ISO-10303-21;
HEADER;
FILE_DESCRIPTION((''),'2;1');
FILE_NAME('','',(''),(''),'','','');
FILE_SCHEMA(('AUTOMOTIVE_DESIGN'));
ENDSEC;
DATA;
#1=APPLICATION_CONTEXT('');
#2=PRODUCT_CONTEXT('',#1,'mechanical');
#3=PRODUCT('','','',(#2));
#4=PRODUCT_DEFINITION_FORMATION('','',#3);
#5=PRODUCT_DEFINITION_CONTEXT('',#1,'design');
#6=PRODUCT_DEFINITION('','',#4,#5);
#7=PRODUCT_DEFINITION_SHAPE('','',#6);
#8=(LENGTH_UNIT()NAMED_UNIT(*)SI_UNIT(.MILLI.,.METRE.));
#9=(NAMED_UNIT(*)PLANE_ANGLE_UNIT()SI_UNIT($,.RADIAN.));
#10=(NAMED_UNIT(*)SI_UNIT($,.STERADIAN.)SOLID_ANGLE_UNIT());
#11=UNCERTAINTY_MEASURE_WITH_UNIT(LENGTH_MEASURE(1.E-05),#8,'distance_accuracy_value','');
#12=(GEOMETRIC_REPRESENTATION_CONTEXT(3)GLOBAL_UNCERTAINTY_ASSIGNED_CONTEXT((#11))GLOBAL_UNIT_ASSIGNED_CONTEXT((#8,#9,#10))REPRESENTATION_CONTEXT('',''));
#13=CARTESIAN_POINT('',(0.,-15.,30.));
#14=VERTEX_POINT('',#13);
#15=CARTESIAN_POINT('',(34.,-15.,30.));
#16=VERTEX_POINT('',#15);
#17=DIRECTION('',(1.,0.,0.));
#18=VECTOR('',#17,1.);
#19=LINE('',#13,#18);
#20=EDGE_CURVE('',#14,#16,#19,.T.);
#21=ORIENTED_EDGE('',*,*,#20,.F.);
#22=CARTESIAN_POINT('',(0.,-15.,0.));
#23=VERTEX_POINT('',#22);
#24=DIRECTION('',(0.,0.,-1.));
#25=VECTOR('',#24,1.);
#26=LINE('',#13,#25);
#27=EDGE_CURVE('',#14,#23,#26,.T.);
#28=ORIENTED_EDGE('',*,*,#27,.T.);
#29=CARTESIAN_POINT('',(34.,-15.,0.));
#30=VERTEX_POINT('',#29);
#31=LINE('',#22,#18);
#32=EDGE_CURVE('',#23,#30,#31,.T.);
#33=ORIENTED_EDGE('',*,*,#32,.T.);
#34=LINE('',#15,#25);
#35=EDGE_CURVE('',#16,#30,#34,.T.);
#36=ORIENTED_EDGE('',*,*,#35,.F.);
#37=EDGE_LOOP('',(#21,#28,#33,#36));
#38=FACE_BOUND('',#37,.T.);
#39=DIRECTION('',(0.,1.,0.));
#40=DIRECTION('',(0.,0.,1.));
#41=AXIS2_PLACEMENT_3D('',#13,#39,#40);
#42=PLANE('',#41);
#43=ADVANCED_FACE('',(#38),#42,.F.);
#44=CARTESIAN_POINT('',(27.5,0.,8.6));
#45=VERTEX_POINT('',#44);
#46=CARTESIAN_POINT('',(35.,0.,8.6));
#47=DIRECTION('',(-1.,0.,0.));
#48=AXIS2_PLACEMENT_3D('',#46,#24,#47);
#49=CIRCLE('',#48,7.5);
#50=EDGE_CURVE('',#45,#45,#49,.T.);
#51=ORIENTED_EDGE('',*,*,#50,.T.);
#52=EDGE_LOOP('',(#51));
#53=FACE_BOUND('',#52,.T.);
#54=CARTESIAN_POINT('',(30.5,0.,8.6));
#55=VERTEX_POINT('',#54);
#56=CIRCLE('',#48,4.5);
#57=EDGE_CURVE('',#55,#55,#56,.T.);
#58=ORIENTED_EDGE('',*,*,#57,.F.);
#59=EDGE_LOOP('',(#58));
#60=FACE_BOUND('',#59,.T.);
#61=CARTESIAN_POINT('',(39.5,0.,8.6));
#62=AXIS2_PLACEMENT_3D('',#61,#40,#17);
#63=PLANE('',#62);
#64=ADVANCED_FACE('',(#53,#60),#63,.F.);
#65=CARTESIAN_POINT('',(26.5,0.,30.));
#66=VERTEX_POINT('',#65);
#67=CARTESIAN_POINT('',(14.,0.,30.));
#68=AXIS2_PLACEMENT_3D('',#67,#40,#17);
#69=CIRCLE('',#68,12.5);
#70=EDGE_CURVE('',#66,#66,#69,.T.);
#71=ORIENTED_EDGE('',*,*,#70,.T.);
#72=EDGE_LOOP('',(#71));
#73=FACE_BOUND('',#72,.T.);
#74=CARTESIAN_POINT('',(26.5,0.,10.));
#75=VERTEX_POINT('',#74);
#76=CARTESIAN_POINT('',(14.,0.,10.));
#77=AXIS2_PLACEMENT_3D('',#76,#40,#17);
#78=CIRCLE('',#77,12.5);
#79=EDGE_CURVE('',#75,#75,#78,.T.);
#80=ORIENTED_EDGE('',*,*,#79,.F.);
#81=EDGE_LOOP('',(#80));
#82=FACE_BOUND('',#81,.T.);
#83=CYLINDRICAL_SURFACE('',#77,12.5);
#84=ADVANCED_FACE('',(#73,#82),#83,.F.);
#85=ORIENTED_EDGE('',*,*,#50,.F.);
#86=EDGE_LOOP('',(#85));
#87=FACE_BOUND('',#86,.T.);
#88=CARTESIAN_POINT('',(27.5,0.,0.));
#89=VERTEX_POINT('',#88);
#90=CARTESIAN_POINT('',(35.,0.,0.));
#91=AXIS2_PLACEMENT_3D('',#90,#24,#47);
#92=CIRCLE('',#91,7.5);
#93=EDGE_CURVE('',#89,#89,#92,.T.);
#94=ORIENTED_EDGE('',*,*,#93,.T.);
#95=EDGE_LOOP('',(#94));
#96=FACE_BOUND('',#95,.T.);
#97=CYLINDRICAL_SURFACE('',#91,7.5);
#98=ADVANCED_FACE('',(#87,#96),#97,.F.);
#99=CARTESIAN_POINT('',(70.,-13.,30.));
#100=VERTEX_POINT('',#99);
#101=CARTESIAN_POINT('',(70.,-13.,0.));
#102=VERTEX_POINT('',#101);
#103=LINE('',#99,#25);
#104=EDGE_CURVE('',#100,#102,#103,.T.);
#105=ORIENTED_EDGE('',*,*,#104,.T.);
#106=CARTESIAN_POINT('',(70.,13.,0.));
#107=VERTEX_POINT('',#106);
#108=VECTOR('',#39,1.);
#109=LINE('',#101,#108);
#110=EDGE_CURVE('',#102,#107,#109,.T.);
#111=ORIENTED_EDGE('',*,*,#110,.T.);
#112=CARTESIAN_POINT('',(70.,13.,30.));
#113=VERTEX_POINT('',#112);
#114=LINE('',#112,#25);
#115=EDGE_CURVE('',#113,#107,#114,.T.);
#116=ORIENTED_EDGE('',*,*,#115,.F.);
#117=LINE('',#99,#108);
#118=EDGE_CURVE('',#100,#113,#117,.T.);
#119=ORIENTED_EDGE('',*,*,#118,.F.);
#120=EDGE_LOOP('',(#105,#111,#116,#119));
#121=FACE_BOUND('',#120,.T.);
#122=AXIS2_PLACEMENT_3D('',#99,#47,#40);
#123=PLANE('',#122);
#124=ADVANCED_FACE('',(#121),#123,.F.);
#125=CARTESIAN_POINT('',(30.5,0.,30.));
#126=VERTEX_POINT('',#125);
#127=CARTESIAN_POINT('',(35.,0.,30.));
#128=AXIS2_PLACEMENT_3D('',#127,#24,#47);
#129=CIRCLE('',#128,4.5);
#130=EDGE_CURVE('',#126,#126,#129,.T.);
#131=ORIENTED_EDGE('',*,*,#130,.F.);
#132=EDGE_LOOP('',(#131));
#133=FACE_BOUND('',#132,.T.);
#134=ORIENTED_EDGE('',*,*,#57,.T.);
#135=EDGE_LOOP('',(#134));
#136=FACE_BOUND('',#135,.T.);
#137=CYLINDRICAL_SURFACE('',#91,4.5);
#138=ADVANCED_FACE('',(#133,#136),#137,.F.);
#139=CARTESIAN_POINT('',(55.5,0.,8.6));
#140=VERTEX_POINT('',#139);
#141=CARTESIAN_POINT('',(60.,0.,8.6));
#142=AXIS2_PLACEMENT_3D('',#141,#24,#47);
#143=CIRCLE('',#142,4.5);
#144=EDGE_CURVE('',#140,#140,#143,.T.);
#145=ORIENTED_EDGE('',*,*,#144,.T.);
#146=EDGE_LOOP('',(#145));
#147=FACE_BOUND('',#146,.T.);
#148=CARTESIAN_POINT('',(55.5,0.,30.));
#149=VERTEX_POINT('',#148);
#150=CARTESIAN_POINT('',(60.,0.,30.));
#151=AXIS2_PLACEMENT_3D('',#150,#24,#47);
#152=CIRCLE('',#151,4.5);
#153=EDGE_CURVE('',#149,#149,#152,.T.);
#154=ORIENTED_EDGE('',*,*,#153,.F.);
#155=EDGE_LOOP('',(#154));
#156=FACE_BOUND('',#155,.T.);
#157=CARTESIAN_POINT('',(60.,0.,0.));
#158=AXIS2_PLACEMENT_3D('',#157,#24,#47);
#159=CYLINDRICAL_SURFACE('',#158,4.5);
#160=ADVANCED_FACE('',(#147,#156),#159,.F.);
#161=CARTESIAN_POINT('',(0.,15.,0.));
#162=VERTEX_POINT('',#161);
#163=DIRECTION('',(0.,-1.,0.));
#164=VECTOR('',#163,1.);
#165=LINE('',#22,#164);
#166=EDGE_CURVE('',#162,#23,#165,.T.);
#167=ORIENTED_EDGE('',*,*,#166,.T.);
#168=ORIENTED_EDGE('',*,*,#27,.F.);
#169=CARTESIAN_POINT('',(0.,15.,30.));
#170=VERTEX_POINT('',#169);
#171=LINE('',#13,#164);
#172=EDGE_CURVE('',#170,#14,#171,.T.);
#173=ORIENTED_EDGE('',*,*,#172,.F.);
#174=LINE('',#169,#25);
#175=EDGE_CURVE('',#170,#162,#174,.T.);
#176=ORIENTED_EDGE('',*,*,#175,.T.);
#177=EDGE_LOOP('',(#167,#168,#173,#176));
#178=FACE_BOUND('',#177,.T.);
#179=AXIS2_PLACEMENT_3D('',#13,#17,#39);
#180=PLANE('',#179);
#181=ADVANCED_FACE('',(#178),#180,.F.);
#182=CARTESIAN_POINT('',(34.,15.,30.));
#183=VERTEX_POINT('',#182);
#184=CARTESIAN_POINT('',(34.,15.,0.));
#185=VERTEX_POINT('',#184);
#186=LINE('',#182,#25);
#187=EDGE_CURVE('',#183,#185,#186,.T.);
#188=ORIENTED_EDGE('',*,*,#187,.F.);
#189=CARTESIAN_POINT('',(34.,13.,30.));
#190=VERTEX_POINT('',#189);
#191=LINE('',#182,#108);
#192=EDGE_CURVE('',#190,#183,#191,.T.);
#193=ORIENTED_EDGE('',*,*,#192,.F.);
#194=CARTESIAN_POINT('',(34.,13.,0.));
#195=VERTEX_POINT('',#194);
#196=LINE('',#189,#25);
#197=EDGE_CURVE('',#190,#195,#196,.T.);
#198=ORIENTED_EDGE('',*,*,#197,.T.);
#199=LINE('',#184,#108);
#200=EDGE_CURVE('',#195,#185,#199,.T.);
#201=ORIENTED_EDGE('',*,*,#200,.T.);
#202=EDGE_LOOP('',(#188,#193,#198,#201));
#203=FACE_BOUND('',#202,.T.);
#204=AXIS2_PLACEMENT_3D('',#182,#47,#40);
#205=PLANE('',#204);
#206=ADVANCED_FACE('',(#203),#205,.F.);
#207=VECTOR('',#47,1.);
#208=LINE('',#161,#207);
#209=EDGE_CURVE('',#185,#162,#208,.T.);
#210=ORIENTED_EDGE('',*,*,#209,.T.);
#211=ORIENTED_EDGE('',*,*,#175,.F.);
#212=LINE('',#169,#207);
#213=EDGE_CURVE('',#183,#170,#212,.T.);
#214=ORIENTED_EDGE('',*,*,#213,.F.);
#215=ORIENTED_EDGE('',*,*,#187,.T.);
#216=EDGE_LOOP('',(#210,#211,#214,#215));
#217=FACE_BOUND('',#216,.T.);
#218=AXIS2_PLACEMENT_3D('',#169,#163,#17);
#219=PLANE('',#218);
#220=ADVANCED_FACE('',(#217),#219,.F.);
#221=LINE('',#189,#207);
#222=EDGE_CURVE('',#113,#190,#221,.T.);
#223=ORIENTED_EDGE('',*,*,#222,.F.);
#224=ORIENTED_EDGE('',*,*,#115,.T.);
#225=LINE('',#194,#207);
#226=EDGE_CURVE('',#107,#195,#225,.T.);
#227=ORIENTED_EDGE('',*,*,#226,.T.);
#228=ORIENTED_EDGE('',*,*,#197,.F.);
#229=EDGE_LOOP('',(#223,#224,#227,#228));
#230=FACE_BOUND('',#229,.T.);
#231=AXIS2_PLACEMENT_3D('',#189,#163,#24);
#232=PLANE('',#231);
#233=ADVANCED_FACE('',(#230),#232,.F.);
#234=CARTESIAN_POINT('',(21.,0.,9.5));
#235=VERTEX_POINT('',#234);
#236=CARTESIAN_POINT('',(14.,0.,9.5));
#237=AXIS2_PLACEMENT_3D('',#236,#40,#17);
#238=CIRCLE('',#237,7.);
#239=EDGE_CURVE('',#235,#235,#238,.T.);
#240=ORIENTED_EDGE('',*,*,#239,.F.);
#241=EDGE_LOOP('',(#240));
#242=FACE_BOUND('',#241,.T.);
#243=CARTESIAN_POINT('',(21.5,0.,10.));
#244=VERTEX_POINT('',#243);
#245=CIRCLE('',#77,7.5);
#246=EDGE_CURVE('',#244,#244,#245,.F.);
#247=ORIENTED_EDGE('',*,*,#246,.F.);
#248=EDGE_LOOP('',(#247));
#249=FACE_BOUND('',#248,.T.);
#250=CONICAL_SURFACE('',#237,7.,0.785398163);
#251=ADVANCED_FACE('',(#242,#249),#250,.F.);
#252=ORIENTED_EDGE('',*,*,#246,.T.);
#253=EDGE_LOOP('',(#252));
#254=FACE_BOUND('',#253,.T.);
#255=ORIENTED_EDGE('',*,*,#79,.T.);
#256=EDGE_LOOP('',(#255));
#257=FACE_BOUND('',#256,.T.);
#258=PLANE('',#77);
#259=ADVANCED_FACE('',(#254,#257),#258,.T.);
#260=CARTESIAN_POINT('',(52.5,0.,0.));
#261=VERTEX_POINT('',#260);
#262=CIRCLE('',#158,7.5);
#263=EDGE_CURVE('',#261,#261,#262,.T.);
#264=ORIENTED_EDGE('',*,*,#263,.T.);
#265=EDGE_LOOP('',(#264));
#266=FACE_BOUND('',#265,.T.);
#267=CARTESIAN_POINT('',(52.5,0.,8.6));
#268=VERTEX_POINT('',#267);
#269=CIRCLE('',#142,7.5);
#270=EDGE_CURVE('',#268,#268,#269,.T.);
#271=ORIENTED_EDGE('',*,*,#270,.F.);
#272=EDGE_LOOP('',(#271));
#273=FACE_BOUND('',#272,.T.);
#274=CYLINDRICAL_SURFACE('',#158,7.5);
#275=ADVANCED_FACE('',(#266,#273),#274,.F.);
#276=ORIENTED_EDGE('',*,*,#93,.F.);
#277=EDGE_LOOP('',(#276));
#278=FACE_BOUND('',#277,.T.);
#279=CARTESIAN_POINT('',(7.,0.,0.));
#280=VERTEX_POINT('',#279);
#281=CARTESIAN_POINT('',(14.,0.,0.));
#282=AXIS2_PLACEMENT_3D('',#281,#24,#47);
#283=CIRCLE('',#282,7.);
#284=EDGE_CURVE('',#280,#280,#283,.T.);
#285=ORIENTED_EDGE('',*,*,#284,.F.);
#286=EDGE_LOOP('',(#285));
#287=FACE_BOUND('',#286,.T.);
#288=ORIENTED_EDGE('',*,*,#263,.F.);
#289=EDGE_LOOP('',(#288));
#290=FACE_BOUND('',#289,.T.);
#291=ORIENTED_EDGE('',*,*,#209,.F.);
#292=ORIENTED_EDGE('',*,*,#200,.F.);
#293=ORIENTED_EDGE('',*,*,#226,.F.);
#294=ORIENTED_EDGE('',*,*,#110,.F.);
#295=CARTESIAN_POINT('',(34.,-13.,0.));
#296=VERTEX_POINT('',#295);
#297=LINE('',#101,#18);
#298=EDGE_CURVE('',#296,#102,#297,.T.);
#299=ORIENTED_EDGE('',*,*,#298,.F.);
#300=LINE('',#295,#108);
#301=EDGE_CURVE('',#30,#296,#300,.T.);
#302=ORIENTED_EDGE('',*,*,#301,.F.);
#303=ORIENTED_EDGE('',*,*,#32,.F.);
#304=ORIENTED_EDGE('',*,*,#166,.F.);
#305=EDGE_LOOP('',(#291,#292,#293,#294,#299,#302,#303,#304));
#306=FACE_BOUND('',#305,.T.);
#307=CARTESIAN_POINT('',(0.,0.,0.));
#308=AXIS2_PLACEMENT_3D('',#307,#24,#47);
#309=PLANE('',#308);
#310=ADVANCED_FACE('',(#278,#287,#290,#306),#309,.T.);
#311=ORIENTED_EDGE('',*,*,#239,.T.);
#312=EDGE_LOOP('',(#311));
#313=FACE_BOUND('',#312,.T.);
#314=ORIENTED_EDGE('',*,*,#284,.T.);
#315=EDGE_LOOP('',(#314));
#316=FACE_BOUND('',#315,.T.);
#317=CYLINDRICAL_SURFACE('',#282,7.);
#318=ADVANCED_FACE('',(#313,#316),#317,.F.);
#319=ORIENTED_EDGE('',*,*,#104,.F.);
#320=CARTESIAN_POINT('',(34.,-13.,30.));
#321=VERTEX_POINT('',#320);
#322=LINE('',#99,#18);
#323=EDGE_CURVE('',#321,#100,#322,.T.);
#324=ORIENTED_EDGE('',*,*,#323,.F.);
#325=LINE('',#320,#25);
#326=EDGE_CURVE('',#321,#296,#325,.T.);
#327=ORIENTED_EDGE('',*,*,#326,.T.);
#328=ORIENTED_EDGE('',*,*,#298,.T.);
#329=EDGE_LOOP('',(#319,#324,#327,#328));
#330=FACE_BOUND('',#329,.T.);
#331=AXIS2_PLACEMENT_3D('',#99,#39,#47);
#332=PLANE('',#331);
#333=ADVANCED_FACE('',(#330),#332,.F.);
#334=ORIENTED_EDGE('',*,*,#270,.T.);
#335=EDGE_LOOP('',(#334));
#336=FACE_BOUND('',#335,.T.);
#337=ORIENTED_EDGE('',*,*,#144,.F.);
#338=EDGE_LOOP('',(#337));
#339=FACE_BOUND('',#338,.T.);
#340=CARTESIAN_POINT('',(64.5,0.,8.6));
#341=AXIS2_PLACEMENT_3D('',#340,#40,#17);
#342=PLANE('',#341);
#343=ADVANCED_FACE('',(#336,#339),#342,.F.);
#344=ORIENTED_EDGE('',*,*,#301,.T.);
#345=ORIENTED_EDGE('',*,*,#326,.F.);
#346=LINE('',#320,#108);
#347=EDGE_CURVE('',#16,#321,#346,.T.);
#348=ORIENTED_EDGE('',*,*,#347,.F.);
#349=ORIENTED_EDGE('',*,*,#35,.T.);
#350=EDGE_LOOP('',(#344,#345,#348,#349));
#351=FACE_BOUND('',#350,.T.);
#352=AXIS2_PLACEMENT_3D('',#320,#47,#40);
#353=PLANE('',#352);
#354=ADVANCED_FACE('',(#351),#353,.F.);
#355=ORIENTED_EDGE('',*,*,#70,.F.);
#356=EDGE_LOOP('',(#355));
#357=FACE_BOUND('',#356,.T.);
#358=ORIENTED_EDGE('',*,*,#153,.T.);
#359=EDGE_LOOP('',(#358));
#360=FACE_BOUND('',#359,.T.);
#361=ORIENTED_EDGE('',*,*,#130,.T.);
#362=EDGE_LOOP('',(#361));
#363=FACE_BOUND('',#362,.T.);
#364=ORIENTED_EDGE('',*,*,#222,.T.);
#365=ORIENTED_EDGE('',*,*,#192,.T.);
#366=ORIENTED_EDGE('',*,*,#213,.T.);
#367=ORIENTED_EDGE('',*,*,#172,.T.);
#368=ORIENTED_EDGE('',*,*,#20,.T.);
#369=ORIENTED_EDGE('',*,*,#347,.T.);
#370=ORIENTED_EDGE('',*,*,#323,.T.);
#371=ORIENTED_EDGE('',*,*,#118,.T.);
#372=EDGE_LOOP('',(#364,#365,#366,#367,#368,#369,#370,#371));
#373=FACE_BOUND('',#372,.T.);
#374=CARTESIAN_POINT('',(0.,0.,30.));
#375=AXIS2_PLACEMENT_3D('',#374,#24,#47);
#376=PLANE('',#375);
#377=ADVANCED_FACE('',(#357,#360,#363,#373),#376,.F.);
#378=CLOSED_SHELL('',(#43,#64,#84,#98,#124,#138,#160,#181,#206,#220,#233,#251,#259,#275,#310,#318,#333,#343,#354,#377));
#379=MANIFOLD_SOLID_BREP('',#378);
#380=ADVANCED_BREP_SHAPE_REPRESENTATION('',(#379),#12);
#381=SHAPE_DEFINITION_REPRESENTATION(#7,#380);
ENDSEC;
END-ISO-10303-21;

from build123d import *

# Parameters (mm, degrees)
AUFSATZ_LINEAR_AUSTRAGEN1_DEPTH                      = 30
SKIZZE6_R                                            = 12.5
SCHNITT_LINEAR_AUSTRAGEN1_DEPTH                      = 20
M16_GEWINDEBOHRUNG1_D                                = 14
M16_GEWINDEBOHRUNG1_DEPTH                            = 42
M16_GEWINDEBOHRUNG1_TIP                              = 4.206024333
STIRNSENKUNG_F_R_M8_ZYLINDERSCHRAUBE_MIT_D           = 9
STIRNSENKUNG_F_R_M8_ZYLINDERSCHRAUBE_MIT_CBORE_D     = 15
STIRNSENKUNG_F_R_M8_ZYLINDERSCHRAUBE_MIT_CBORE_DEPTH = 8.6
FASE1_SIZE                                           = 0.5


with BuildPart() as part:
    # Skizze1 → Aufsatz-Linear austragen1 (new body)
    with BuildSketch(Plane.XY):
        Polygon((34, 15), (34, 13), (70, 13), (70, -13), (34, -13), (34, -15), (0, -15), (0, 15), align=None)
    extrude(amount=AUFSATZ_LINEAR_AUSTRAGEN1_DEPTH)

    # Skizze6 → Schnitt-Linear austragen1 (cut)
    with BuildSketch(Plane.XY.offset(30)):
        with Locations((14, 0)):
            Circle(SKIZZE6_R)
    extrude(amount=-SCHNITT_LINEAR_AUSTRAGEN1_DEPTH, mode=Mode.SUBTRACT)

    # M16 Gewindebohrung1
    with Locations(Plane(origin=(0, 0, 0), x_dir=(-1, 0, 0), z_dir=(0, 0, -1))):
        with Locations((-14, 0)):
            Hole(M16_GEWINDEBOHRUNG1_D / 2, depth=M16_GEWINDEBOHRUNG1_DEPTH)
            with Locations((0, 0, -(M16_GEWINDEBOHRUNG1_DEPTH + M16_GEWINDEBOHRUNG1_TIP / 2))):  # 118° drill point
                Cone(0, M16_GEWINDEBOHRUNG1_D / 2, M16_GEWINDEBOHRUNG1_TIP, mode=Mode.SUBTRACT)

    # Stirnsenkung für M8 Zylinderschraube mit Innensechskant1 (through all)
    with Locations(Plane(origin=(0, 0, 0), x_dir=(-1, 0, 0), z_dir=(0, 0, -1))):
        with Locations((-60, 0), (-35, 0)):
            CounterBoreHole(STIRNSENKUNG_F_R_M8_ZYLINDERSCHRAUBE_MIT_D / 2, STIRNSENKUNG_F_R_M8_ZYLINDERSCHRAUBE_MIT_CBORE_D / 2, STIRNSENKUNG_F_R_M8_ZYLINDERSCHRAUBE_MIT_CBORE_DEPTH)

    # Fase1
    fase1_edges = [part.edges().sort_by_distance(p)[0] for p in [
        (7, 0, 10),
    ]]
    chamfer(fase1_edges, length=FASE1_SIZE)


solid = part.part
